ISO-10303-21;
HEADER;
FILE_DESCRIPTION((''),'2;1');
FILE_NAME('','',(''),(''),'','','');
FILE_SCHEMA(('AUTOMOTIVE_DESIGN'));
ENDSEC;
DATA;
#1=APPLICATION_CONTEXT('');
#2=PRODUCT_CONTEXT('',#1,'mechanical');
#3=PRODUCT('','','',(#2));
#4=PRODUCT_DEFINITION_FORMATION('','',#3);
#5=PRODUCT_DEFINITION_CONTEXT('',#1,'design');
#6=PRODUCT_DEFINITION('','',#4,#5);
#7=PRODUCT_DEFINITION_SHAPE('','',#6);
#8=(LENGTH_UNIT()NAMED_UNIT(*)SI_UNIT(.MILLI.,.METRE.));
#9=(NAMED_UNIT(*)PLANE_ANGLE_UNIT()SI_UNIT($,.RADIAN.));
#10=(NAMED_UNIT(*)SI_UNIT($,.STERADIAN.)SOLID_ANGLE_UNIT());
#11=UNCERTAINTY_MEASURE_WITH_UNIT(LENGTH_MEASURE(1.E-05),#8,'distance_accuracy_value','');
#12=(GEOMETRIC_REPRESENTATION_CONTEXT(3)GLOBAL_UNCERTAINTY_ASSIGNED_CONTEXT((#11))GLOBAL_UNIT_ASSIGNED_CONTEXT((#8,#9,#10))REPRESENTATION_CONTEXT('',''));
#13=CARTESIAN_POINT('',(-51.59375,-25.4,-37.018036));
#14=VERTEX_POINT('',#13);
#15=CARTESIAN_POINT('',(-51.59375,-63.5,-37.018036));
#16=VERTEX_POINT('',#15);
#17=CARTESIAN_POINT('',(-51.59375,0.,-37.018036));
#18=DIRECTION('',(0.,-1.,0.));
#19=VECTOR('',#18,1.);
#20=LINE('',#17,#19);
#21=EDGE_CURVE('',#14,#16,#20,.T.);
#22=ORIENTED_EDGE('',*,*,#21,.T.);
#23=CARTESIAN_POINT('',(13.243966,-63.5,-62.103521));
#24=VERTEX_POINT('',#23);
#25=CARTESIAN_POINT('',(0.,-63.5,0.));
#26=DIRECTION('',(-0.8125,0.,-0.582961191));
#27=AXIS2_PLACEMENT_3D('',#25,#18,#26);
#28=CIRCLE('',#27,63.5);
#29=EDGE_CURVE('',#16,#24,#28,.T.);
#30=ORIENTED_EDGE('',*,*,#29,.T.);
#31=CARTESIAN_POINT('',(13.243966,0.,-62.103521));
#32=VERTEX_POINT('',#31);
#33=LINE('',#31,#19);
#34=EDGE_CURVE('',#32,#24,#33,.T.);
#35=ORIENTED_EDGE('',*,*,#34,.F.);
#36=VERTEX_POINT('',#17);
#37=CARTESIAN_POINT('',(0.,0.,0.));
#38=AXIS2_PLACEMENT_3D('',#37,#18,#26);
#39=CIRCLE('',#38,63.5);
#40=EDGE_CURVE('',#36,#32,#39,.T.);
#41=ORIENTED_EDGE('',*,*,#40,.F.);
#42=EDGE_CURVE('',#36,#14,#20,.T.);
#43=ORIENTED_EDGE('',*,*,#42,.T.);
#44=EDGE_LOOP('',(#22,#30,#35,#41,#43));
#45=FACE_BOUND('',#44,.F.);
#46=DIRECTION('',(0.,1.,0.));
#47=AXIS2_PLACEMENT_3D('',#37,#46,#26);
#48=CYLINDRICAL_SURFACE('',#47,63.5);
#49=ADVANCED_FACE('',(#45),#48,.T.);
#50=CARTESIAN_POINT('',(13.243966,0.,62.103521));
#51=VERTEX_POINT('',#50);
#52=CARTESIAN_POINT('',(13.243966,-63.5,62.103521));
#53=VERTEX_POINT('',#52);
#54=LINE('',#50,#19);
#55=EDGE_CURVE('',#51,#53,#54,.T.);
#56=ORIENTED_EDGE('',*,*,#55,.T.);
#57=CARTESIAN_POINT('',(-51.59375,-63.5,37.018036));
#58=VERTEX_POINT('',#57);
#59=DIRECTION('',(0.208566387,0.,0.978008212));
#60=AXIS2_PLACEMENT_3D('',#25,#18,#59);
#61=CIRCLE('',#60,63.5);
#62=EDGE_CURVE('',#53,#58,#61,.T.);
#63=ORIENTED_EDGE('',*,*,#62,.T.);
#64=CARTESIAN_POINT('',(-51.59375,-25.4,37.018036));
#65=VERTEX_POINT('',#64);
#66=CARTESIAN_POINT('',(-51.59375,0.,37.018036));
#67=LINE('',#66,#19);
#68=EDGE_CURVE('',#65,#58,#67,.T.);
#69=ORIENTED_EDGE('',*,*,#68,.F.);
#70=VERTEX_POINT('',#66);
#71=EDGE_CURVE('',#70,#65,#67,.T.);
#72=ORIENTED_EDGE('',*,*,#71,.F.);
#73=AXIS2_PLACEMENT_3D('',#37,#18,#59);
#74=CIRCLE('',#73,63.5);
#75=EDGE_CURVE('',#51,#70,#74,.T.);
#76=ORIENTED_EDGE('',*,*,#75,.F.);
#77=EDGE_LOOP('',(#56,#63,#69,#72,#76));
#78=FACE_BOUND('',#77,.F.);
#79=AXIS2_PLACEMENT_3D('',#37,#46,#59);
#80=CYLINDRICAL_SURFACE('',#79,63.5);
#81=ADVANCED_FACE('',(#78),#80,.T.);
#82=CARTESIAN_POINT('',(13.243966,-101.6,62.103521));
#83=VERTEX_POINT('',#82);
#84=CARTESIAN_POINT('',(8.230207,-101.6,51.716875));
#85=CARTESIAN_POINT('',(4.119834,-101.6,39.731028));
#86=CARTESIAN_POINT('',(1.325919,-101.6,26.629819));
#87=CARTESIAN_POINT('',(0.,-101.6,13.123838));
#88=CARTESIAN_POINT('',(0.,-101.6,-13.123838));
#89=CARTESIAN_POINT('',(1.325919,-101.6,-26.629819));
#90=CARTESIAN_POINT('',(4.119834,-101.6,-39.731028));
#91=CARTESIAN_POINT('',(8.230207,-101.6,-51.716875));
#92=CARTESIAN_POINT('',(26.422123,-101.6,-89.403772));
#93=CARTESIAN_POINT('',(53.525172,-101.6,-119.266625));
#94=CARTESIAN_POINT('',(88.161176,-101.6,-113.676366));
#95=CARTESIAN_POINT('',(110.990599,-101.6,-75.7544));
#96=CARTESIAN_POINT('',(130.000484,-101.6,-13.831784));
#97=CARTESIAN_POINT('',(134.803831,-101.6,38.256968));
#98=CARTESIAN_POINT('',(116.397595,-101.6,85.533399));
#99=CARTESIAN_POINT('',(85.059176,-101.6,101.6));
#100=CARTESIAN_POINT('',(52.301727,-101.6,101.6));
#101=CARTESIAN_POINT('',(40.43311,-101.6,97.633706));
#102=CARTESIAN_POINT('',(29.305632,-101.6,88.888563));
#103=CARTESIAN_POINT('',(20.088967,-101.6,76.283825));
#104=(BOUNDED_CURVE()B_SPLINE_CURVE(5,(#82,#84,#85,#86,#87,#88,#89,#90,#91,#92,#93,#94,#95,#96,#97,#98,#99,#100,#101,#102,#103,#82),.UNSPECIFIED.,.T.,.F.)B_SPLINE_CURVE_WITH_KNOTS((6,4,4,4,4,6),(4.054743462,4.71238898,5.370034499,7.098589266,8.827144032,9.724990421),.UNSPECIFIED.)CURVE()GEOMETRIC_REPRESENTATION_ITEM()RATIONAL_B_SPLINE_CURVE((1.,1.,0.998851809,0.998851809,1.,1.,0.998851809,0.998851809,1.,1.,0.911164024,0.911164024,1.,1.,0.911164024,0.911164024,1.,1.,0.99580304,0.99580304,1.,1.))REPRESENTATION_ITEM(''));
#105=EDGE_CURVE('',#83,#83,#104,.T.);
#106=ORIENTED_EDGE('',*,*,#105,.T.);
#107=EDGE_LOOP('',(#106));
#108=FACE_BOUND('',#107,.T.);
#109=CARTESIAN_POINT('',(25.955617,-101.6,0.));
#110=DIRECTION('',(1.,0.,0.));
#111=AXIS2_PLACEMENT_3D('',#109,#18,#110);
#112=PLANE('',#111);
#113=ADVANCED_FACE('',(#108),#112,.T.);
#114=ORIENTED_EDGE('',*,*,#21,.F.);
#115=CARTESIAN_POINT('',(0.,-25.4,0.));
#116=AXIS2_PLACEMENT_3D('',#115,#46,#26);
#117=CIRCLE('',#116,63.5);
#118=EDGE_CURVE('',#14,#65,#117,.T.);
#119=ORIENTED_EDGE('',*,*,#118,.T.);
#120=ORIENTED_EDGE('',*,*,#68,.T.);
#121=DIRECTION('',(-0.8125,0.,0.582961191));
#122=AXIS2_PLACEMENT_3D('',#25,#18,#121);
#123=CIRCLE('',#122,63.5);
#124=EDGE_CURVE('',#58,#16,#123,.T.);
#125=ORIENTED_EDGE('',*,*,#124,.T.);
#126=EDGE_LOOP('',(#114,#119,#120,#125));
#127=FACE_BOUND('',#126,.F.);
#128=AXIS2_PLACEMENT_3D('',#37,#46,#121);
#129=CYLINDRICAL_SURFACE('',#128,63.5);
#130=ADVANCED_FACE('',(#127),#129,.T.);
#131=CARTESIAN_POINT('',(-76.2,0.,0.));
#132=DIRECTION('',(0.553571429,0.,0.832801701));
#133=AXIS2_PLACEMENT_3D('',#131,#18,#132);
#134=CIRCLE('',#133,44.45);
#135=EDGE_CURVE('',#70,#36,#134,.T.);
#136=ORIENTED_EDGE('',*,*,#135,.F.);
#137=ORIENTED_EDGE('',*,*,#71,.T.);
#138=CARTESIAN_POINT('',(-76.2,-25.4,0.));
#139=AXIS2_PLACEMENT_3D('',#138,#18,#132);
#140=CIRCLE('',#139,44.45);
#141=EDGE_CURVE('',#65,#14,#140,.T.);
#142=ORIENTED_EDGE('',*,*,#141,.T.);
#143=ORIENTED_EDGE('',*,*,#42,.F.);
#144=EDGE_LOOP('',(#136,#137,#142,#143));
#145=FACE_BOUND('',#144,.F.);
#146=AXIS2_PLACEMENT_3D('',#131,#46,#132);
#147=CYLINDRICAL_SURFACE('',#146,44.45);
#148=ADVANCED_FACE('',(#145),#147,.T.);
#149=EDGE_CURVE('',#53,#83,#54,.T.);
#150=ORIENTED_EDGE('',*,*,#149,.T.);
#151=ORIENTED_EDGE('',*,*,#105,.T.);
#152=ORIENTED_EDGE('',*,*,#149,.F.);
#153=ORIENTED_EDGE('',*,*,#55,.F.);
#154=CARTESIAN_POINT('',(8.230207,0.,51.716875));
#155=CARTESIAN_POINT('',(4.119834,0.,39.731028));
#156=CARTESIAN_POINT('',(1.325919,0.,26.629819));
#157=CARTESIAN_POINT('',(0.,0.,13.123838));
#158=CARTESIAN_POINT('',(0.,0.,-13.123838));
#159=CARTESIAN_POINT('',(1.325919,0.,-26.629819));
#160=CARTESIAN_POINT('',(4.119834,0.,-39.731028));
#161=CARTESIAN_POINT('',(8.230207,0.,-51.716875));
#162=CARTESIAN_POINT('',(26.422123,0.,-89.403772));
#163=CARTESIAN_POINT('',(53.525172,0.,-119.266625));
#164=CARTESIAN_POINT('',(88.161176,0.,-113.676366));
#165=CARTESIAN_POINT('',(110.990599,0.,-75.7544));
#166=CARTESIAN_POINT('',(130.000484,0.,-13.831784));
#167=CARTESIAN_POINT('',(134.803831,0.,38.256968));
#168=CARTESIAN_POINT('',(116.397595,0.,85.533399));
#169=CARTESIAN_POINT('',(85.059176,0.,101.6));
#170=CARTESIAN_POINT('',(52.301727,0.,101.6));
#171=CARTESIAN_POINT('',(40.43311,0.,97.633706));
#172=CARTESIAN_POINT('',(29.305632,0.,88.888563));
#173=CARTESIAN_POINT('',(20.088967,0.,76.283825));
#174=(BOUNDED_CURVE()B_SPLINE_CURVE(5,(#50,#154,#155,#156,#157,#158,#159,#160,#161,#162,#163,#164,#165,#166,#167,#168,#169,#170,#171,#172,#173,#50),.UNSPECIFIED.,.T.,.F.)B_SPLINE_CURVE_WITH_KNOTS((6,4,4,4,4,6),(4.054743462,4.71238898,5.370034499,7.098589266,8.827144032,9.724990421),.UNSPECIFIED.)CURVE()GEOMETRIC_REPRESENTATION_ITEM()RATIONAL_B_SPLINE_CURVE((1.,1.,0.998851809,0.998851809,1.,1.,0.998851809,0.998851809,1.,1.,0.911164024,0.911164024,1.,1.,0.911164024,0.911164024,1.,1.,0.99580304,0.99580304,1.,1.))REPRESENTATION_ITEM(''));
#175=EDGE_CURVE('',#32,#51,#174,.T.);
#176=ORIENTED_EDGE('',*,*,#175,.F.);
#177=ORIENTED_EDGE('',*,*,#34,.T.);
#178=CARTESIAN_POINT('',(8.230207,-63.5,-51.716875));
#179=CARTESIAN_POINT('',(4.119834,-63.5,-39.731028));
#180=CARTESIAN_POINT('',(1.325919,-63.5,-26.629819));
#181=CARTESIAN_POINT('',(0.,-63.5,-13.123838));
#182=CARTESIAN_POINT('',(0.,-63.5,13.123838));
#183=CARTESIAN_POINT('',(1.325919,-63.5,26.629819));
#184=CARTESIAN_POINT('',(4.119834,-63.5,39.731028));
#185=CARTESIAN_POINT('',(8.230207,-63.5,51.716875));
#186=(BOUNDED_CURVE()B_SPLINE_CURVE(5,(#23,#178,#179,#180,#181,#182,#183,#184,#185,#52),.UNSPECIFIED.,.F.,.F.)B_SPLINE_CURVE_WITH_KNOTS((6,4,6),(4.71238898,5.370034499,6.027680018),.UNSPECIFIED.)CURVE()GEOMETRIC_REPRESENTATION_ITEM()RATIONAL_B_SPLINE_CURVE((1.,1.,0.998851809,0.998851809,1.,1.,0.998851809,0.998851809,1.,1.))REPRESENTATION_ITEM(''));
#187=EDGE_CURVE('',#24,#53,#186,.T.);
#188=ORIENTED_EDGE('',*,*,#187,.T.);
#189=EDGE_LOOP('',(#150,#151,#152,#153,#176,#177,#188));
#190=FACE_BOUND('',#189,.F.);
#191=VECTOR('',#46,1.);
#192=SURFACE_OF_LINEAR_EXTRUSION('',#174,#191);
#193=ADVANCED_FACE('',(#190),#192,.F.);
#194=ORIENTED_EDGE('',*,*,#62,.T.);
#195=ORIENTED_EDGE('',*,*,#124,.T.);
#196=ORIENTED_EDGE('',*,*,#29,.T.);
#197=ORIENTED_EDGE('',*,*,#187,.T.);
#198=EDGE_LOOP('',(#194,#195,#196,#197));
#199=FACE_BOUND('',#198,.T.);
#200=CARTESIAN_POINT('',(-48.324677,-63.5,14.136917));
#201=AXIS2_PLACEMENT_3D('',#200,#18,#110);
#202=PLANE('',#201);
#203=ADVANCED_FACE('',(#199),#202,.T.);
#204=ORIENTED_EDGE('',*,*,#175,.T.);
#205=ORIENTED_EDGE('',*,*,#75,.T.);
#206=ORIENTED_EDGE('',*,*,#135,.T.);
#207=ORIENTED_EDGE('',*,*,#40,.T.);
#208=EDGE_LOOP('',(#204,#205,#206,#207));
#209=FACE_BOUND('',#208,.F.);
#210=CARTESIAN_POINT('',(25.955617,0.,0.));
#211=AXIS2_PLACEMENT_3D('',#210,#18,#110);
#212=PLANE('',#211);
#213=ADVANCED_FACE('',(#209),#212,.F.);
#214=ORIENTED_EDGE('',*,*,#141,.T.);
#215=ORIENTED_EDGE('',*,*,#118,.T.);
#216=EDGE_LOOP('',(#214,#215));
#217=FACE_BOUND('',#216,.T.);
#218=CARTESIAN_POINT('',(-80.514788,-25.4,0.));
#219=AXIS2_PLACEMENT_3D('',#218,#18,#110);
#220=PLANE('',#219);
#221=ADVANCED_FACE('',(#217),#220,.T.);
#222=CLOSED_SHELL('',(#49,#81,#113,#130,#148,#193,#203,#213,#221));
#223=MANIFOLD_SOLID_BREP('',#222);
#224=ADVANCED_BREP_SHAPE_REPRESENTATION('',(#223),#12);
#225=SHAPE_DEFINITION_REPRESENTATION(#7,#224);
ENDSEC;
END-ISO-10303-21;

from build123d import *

# Parameters (mm, degrees)
F1_DEPTH = 25.4
F2_DEPTH = 63.5
F3_DEPTH = 101.6


with BuildPart() as f1:
    # F0 (on Front) → F1 (new body)
    with BuildSketch(Plane.XZ):
        with BuildLine():
            ThreePointArc((-51.59375, -37.0180356169), (-60.4501990278, -19.4428248333), (-63.5, 0))
            ThreePointArc((-63.5, 0), (-60.4501990278, 19.4428248333), (-51.59375, 37.0180356169))
            ThreePointArc((-51.59375, 37.0180356169), (-120.65, 0), (-51.59375, -37.0180356169))
        make_face()
    extrude(amount=F1_DEPTH)

    # F0 (on Front) → F2 (join)
    with BuildSketch(Plane.XZ):
        with BuildLine():
            Line((-63.5, 0), (-31.75, 0))
            ThreePointArc((-31.75, 0), (-37.0237934934, 21.0006510316), (-51.59375, 37.0180356169))
            ThreePointArc((-51.59375, 37.0180356169), (-60.4501990278, 19.4428248333), (-63.5, 0))
        make_face()
        with BuildLine():
            ThreePointArc((-51.59375, -37.0180356169), (-37.0237934934, -21.0006510316), (-31.75, 0))
            Line((-31.75, 0), (-63.5, 0))
            ThreePointArc((-63.5, 0), (-60.4501990278, -19.4428248333), (-51.59375, -37.0180356169))
        make_face()
        with BuildLine():
            Line((-31.75, 0), (0, 0))
            add(Edge.make_bspline(
                [(13.2439655959, 62.1035214404), (0, 34.6669399309), (0, 0)],
                knots=[4.0547434617, 4.0547434617, 4.0547434617, 4.7123889804, 4.7123889804, 4.7123889804], degree=2, weights=[1, 0.9464231645, 1]))
            ThreePointArc((13.2439655959, 62.1035214404), (-22.9128106244, 59.2220660674), (-51.59375, 37.0180356169))
            ThreePointArc((-51.59375, 37.0180356169), (-37.0237934934, 21.0006510316), (-31.75, 0))
        make_face()
        with BuildLine():
            add(Edge.make_bspline(
                [(0, 0), (0, -34.6669399309), (13.2439655959, -62.1035214404)],
                knots=[4.7123889804, 4.7123889804, 4.7123889804, 5.370034499, 5.370034499, 5.370034499], degree=2, weights=[1, 0.9464231645, 1]))
            Line((0, 0), (-31.75, 0))
            ThreePointArc((-31.75, 0), (-37.0237934934, -21.0006510316), (-51.59375, -37.0180356169))
            ThreePointArc((-51.59375, -37.0180356169), (-22.9128106244, -59.2220660674), (13.2439655959, -62.1035214404))
        make_face()
    extrude(amount=F2_DEPTH)

    # F0 (on Front) → F3 (join)
    with BuildSketch(Plane.XZ):
        with BuildLine():
            add(Edge.make_bspline(
                [(13.2439655959, 62.1035214404), (0, 34.6669399309), (0, 0)],
                knots=[4.0547434617, 4.0547434617, 4.0547434617, 4.7123889804, 4.7123889804, 4.7123889804], degree=2, weights=[1, 0.9464231645, 1]))
            add(Edge.make_bspline(
                [(0, 0), (0, -34.6669399309), (13.2439655959, -62.1035214404)],
                knots=[4.7123889804, 4.7123889804, 4.7123889804, 5.370034499, 5.370034499, 5.370034499], degree=2, weights=[1, 0.9464231645, 1]))
            ThreePointArc((13.2439655959, -62.1035214404), (49.3621404284, -39.9453262889), (63.5, 0))
            ThreePointArc((63.5, 0), (49.3621404284, 39.9453262889), (13.2439655959, 62.1035214404))
        make_face()
        with BuildLine():
            ThreePointArc((63.5, 0), (49.3621404284, -39.9453262889), (13.2439655959, -62.1035214404))
            add(Edge.make_bspline(
                [(13.2439655959, -62.1035214404), (75.5537087854, -191.1861844445), (120.4955415237, -44.7930922222), (165.437374262, 101.6), (63.5, 101.6)],
                knots=[5.370034499, 5.370034499, 5.370034499, 7.3974062299, 7.3974062299, 9.4247779608, 9.4247779608, 9.4247779608], degree=2, weights=[1, 0.5287358074, 1, 0.5287358074, 1]))
            Line((63.5, 101.6), (63.5, 0))
        make_face()
        with BuildLine():
            add(Edge.make_bspline(
                [(63.5, 101.6), (32.3093875408, 101.6), (13.2439655959, 62.1035214404)],
                knots=[3.1415926536, 3.1415926536, 3.1415926536, 4.0547434617, 4.0547434617, 4.0547434617], degree=2, weights=[1, 0.8975675831, 1]))
            ThreePointArc((13.2439655959, 62.1035214404), (49.3621404284, 39.9453262889), (63.5, 0))
            Line((63.5, 0), (63.5, 101.6))
        make_face()
    extrude(amount=F3_DEPTH)


solid = f1.part
